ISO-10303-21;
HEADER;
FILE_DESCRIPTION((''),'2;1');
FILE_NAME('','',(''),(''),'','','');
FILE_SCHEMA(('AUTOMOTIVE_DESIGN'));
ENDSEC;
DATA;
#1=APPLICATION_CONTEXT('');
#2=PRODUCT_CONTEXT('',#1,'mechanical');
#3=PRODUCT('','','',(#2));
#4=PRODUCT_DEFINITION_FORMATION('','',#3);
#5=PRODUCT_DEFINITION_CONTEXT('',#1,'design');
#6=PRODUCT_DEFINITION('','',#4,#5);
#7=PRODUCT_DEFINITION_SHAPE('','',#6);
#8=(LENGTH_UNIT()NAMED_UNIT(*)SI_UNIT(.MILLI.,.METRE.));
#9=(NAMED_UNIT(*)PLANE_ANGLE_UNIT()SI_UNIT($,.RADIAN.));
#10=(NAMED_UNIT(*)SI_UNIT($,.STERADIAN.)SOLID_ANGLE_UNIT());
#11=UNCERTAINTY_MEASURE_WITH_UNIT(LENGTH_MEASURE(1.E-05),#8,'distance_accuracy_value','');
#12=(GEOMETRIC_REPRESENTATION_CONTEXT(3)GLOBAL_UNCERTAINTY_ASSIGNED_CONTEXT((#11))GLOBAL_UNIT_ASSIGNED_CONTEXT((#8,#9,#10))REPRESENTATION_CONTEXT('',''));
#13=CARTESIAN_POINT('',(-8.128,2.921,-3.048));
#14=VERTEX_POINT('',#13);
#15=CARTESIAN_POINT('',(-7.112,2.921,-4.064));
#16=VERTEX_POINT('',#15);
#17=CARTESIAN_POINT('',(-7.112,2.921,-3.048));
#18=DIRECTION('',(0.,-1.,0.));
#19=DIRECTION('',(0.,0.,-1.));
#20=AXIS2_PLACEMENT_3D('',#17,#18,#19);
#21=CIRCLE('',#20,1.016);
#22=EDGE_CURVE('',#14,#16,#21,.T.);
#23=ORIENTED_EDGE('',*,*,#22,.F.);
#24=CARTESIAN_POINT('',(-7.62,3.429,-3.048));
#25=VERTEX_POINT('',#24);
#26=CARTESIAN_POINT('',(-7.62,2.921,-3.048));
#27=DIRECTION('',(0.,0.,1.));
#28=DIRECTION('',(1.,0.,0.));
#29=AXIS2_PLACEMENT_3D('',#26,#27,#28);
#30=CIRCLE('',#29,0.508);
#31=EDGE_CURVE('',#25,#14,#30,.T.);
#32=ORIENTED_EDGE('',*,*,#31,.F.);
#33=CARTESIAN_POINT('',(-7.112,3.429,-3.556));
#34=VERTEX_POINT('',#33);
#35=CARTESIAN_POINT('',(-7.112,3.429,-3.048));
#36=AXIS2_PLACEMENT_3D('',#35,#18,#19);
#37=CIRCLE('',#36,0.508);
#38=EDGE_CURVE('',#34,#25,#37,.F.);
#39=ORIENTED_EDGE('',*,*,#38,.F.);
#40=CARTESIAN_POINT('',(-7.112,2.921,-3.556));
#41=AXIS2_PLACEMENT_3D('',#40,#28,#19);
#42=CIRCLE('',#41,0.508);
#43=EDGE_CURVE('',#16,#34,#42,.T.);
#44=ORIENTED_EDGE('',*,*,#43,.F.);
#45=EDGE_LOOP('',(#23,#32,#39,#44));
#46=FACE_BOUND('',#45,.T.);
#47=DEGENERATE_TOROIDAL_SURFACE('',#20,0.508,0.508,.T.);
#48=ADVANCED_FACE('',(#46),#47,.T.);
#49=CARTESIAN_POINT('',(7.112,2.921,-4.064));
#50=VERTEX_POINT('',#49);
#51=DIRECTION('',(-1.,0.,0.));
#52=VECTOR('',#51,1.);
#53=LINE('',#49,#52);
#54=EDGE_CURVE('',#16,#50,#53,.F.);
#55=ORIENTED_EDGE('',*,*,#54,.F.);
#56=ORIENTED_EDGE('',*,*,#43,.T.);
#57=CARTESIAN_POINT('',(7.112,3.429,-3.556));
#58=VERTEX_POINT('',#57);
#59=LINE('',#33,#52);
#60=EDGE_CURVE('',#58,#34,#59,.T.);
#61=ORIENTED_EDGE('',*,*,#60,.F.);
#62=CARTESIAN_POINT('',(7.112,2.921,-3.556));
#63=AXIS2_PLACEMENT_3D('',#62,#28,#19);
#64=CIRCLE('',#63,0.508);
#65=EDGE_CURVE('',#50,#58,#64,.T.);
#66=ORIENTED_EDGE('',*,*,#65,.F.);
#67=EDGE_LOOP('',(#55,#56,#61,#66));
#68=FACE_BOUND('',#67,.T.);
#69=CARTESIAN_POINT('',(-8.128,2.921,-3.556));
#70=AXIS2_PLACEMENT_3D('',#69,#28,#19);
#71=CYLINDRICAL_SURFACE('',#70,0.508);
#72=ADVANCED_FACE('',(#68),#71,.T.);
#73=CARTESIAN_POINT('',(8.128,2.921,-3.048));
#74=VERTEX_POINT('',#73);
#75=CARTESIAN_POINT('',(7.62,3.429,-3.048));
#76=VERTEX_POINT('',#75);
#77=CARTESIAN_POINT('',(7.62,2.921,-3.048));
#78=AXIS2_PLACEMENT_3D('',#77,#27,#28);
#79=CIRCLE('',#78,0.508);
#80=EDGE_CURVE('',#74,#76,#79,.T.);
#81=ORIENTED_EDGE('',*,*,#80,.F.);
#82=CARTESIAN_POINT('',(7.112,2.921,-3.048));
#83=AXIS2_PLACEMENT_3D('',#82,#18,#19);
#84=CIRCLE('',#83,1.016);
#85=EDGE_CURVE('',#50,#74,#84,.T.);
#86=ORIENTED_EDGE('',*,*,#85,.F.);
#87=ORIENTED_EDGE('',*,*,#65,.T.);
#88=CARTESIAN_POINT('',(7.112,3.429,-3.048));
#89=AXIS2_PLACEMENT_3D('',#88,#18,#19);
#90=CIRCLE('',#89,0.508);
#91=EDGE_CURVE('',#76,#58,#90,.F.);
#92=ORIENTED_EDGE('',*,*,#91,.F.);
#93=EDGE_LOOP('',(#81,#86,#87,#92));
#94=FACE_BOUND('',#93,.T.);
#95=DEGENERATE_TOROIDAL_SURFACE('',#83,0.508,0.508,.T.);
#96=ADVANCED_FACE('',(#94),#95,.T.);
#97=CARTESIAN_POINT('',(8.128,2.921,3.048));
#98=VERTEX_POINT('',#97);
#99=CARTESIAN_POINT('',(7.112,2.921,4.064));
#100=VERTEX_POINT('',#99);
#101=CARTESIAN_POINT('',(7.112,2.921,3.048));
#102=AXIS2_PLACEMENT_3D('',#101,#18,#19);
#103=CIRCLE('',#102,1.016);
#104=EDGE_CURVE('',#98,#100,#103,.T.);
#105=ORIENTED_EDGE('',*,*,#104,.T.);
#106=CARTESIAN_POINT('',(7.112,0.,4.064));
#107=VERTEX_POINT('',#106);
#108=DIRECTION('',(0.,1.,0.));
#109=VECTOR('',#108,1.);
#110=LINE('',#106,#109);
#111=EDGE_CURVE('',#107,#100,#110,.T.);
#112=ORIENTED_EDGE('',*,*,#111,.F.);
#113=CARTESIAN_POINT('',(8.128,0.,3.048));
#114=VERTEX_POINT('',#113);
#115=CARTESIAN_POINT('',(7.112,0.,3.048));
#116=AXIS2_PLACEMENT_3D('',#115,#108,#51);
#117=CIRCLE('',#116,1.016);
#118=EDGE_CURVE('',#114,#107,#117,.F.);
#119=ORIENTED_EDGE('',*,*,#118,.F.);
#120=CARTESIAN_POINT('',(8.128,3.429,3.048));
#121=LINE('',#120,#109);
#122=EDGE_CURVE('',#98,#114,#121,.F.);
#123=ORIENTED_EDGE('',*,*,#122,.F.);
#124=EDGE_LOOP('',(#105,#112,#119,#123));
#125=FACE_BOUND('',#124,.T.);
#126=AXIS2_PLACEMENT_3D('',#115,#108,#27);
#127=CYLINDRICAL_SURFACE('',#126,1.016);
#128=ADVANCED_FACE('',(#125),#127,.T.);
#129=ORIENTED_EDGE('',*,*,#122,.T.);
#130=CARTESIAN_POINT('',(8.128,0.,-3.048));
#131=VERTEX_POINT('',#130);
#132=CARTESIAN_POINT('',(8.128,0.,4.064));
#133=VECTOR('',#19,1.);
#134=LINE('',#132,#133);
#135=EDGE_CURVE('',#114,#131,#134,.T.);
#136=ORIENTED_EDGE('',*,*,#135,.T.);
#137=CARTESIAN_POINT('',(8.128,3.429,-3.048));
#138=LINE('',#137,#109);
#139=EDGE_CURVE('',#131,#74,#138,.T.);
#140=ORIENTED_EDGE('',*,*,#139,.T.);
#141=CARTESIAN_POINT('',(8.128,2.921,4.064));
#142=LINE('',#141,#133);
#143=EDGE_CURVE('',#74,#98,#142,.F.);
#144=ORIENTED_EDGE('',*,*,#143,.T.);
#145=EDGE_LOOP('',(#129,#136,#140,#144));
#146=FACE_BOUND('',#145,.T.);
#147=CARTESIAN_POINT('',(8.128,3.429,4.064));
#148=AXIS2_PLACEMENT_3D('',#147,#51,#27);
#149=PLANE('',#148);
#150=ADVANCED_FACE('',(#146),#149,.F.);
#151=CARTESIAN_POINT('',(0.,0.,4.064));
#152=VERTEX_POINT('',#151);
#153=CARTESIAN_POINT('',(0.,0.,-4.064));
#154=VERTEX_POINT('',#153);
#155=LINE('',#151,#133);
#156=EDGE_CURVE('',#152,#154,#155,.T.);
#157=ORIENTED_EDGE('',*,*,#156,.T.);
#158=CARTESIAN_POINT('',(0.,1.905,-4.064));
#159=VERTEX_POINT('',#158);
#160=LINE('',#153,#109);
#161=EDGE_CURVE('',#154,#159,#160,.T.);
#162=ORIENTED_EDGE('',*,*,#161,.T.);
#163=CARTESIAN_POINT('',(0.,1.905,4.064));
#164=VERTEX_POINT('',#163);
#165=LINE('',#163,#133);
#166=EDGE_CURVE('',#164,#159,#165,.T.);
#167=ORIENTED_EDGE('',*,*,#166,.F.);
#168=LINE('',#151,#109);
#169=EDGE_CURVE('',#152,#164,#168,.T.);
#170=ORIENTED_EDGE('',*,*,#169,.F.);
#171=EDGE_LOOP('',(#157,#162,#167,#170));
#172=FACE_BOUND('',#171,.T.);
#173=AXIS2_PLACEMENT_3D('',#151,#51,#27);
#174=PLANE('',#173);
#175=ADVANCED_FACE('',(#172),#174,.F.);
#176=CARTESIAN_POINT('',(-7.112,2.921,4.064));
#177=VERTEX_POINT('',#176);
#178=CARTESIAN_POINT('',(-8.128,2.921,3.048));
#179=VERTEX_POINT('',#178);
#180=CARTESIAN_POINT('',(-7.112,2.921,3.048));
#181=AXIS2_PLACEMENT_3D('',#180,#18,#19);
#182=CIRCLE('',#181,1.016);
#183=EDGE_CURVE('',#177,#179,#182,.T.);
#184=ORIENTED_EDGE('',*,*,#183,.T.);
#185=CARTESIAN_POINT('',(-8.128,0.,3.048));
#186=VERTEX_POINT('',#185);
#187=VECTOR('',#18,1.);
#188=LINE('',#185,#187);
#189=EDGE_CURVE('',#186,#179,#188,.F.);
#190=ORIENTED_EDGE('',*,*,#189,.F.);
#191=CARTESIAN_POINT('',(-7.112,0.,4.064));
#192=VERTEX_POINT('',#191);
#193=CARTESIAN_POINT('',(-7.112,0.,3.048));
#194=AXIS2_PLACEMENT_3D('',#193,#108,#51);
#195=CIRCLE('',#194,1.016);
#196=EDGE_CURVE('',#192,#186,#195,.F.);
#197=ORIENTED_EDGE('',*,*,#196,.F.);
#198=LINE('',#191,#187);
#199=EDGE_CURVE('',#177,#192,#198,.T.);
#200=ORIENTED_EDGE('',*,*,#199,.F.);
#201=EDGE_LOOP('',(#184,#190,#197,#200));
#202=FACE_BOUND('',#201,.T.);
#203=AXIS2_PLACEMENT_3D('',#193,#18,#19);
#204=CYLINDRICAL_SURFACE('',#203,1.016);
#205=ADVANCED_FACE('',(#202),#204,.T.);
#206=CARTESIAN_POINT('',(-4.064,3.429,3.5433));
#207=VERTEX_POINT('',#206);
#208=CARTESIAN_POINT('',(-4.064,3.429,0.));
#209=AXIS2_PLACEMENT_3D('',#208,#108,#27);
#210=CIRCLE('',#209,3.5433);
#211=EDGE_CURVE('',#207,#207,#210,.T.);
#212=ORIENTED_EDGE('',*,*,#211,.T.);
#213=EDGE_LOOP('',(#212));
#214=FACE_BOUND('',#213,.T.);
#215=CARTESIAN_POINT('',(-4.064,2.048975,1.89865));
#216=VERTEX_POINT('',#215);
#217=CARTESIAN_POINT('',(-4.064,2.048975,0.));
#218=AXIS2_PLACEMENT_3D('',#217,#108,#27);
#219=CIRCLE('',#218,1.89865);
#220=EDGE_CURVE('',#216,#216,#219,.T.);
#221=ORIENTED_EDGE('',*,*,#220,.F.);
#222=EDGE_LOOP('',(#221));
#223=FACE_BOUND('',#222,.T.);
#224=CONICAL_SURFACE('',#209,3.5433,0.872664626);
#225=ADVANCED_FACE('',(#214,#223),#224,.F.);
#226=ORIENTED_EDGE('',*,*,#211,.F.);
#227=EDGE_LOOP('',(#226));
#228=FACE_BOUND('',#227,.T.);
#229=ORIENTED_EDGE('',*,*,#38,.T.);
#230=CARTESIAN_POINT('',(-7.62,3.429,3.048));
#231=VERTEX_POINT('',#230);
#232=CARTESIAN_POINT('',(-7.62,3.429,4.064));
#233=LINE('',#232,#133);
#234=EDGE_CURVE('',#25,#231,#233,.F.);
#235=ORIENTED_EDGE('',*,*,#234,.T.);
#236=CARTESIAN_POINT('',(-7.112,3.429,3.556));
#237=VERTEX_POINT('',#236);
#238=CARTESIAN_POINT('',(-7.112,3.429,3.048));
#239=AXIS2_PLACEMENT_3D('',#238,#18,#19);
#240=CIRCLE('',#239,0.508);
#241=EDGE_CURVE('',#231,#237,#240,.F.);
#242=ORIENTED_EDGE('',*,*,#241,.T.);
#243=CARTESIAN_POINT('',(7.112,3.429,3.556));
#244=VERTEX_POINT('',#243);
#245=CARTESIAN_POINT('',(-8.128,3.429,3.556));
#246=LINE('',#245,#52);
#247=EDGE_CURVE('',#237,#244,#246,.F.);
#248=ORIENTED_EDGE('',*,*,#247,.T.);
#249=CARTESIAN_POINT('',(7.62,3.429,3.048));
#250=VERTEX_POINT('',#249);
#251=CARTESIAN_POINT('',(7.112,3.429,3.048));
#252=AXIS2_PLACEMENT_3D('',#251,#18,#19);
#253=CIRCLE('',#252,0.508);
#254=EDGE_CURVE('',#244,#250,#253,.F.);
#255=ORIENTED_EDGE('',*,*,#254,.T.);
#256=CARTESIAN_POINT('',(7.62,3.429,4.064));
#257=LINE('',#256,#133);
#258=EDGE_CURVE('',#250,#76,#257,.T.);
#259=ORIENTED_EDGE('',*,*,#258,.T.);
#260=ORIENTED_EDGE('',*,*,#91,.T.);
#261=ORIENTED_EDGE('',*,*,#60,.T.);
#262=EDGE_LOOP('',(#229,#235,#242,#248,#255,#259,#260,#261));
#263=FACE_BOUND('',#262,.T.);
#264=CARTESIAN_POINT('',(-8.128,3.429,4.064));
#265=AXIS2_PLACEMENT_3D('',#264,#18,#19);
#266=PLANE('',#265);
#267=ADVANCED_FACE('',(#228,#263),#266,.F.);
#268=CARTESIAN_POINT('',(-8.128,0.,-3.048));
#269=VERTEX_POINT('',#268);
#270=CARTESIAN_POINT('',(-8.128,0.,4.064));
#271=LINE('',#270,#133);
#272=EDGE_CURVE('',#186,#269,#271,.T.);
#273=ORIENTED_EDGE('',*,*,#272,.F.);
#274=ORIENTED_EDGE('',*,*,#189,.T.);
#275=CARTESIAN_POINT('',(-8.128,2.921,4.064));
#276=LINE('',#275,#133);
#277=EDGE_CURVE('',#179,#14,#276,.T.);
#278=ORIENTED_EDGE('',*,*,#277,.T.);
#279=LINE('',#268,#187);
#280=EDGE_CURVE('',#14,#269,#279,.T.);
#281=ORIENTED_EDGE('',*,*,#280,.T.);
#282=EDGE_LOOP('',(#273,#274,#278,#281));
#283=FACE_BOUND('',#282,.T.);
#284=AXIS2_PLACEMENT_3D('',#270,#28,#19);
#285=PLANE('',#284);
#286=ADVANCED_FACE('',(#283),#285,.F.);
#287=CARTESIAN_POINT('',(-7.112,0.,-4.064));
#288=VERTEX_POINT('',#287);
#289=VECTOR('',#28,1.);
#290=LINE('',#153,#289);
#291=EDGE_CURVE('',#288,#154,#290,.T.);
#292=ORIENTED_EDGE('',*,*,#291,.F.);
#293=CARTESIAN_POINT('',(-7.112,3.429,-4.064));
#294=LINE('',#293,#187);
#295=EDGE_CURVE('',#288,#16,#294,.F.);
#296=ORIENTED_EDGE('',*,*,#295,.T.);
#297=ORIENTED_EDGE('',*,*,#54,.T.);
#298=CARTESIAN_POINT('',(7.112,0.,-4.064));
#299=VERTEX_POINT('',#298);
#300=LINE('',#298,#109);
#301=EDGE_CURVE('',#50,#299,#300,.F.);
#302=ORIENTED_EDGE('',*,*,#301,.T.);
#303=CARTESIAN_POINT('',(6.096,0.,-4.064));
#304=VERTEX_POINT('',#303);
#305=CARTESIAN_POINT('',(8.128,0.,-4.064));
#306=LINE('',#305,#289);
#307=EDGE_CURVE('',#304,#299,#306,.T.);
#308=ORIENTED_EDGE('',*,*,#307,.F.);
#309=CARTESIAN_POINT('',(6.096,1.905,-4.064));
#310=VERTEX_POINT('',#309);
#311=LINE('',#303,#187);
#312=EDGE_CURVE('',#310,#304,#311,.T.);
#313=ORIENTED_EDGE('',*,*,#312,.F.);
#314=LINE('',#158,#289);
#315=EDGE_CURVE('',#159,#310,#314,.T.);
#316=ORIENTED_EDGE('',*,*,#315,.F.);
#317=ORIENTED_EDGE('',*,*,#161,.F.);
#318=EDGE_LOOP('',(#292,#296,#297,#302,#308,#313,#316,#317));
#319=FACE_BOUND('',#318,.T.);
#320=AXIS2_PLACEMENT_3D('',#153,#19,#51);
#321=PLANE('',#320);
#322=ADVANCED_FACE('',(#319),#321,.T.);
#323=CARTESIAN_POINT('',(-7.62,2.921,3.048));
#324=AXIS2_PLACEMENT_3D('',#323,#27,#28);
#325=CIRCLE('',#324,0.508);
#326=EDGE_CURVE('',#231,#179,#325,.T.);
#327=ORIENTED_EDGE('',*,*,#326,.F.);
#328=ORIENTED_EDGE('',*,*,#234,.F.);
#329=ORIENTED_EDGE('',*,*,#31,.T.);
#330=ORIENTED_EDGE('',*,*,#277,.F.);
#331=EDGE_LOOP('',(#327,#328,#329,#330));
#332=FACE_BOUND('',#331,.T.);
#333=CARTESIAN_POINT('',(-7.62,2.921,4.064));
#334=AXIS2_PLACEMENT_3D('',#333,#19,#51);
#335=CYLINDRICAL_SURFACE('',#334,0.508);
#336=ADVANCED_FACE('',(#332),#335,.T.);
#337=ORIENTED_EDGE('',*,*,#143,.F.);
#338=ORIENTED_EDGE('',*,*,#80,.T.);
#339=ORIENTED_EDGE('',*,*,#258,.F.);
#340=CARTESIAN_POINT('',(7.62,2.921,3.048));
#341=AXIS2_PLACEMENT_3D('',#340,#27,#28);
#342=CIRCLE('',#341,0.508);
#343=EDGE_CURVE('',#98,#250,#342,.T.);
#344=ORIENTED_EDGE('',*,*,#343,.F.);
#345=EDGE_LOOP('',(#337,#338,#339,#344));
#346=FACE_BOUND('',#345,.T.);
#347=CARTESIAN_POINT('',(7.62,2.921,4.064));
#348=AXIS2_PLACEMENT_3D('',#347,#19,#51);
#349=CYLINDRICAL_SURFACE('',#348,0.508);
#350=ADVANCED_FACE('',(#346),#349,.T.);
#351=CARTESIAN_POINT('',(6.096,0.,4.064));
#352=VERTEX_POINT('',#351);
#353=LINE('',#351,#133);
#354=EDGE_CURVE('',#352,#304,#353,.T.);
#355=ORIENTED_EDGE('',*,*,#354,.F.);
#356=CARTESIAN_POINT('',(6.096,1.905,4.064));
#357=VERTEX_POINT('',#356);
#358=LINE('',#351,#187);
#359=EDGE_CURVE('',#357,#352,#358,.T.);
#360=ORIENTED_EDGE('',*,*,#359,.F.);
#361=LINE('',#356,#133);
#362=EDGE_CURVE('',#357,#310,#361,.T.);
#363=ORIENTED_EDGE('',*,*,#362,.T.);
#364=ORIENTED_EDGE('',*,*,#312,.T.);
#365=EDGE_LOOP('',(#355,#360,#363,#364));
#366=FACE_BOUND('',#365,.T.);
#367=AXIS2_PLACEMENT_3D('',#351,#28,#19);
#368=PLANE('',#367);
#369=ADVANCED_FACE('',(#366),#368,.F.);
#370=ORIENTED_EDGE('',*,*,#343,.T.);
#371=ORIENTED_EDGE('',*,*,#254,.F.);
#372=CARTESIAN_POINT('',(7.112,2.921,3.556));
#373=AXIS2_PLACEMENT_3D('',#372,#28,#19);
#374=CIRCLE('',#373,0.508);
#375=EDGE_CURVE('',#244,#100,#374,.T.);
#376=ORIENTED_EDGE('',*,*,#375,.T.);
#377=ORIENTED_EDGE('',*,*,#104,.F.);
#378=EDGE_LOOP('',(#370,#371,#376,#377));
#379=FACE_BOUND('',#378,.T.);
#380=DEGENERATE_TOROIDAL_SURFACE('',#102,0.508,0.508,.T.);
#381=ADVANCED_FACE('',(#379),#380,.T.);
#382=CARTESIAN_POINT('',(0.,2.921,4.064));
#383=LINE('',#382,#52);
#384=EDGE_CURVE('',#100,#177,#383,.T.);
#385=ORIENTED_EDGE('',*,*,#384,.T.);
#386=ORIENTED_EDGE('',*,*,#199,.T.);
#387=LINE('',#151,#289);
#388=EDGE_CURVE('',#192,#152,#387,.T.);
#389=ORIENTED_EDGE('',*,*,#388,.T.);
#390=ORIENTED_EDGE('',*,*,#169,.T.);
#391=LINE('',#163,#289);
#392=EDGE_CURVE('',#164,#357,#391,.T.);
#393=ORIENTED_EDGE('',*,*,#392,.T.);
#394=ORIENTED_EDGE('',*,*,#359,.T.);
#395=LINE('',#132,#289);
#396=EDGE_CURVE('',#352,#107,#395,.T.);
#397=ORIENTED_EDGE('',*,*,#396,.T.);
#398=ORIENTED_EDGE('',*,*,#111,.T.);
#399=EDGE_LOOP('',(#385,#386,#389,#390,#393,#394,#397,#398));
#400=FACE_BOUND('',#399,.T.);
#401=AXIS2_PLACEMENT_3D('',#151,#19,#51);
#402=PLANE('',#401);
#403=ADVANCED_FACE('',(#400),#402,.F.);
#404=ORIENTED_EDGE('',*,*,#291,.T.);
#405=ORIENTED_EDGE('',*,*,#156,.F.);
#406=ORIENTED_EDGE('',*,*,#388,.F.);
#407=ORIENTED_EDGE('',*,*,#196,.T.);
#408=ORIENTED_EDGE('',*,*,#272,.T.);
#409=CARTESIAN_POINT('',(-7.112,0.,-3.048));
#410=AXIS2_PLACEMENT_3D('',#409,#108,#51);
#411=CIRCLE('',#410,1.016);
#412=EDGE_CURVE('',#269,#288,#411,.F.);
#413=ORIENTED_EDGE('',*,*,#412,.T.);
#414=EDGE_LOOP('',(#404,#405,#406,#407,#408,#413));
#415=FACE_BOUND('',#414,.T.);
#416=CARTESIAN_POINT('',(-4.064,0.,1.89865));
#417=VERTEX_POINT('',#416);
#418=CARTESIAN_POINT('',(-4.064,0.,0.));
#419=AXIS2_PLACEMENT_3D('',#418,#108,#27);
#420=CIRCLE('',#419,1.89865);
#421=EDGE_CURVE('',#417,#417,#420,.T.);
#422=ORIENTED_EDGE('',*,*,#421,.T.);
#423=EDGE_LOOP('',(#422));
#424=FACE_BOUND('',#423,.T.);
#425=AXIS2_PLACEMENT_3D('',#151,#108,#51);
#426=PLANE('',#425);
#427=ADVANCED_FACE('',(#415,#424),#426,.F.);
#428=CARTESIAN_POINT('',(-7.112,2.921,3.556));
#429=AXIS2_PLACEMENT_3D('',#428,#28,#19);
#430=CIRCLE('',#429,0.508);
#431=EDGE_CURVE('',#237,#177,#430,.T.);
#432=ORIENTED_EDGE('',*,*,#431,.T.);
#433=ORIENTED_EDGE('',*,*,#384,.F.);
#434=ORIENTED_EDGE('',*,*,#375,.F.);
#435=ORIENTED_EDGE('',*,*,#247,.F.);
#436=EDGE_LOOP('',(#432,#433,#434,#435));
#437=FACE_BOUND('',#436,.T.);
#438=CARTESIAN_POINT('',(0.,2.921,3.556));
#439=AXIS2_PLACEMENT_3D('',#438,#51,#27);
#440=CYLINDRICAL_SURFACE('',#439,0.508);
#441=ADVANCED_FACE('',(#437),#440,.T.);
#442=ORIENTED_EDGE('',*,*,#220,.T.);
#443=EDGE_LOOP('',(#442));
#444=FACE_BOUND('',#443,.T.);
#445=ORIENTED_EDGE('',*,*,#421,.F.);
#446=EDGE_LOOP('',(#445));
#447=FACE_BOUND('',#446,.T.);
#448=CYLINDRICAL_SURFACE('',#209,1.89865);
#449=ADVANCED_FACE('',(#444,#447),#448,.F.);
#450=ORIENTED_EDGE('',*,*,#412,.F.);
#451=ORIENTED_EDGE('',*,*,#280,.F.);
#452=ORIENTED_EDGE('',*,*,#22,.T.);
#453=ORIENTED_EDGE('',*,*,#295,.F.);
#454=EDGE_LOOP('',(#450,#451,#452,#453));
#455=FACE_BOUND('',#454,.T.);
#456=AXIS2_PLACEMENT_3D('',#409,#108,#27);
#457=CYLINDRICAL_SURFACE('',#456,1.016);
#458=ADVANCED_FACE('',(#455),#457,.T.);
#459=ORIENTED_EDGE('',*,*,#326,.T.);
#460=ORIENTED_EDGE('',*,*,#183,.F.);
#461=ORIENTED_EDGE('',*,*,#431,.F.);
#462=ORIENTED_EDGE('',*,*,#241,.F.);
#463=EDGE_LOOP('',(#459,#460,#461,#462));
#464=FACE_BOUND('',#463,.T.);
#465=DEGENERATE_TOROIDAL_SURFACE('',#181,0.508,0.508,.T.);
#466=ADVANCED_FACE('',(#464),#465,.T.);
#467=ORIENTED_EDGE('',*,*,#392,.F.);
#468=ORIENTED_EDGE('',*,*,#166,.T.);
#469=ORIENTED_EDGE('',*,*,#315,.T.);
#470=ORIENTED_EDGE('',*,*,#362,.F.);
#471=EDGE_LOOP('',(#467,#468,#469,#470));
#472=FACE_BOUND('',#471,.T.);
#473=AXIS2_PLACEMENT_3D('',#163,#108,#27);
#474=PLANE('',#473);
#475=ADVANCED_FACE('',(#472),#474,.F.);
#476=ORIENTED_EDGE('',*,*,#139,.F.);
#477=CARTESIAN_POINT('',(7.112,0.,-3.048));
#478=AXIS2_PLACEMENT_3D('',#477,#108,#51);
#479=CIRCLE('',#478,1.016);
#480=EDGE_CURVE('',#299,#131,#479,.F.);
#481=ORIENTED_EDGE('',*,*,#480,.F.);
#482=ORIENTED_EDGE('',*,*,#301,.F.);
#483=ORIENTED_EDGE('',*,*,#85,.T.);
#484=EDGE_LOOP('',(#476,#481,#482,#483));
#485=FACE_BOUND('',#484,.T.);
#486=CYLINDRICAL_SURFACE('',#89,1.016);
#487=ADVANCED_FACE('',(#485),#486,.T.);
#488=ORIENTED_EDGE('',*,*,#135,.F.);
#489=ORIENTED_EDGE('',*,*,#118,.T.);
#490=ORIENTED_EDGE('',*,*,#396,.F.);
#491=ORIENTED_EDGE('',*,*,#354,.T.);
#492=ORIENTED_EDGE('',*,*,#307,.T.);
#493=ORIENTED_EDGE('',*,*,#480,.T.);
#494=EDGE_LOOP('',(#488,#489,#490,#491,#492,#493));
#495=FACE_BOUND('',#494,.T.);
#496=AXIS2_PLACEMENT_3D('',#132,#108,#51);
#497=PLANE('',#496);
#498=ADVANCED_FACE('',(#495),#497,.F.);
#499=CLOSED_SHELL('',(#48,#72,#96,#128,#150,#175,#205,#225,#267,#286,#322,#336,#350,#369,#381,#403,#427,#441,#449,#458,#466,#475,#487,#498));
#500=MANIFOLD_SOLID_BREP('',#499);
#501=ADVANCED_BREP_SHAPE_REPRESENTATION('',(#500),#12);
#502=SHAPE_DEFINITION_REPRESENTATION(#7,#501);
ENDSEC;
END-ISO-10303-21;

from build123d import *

# Parameters (mm, degrees)
BOSS_EXTRUDE1_DEPTH                               = 4.064
CSK_FOR_6_FLAT_HEAD_MACHINE_SCREW_100_D           = 3.7973
CSK_FOR_6_FLAT_HEAD_MACHINE_SCREW_100_CSINK_D     = 7.0866
CSK_FOR_6_FLAT_HEAD_MACHINE_SCREW_100_CSINK_ANGLE = 100
FILLET1_R                                         = 1.016
FILLET2_R                                         = 0.508


with BuildPart() as part:
    # Sketch1 → Boss-Extrude1 (new body, symmetric)
    with BuildSketch(Plane.XY):
        Polygon((0, 0), (0, 1.905), (6.096, 1.905), (6.096, 0), (8.128, 0), (8.128, 3.429), (-8.128, 3.429), (-8.128, 0), align=None)
    extrude(amount=BOSS_EXTRUDE1_DEPTH, both=True)

    # CSK for #6 Flat Head Machine Screw (100)1 (through all)
    with Locations(Plane(origin=(0, 3.429, 0), x_dir=(1, 0, 0), z_dir=(0, 1, 0))):
        with Locations((-4.064, 0)):
            CounterSinkHole(CSK_FOR_6_FLAT_HEAD_MACHINE_SCREW_100_D / 2, CSK_FOR_6_FLAT_HEAD_MACHINE_SCREW_100_CSINK_D / 2, counter_sink_angle=CSK_FOR_6_FLAT_HEAD_MACHINE_SCREW_100_CSINK_ANGLE)

    # Fillet1
    fillet1_edges = [part.edges().sort_by_distance(p)[0] for p in [
        (-8.128, 1.7145, -4.064),
        (8.128, 1.7145, 4.064),
        (8.128, 1.7145, -4.064),
        (-8.128, 1.7145, 4.064),
    ]]
    fillet(fillet1_edges, radius=FILLET1_R)

    # Fillet2
    fillet2_edges = [part.edges().sort_by_distance(p)[0] for p in [
        (8.128, 3.429, 0),
        (0, 3.429, -4.064),
        (-8.128, 3.429, 0),
        (0, 3.429, 4.064),
        (-7.83042049, 3.429, 3.76642049),
        (-7.83042049, 3.429, -3.76642049),
        (7.83042049, 3.429, 3.76642049),
        (7.83042049, 3.429, -3.76642049),
    ]]
    fillet(fillet2_edges, radius=FILLET2_R)


solid = part.part
